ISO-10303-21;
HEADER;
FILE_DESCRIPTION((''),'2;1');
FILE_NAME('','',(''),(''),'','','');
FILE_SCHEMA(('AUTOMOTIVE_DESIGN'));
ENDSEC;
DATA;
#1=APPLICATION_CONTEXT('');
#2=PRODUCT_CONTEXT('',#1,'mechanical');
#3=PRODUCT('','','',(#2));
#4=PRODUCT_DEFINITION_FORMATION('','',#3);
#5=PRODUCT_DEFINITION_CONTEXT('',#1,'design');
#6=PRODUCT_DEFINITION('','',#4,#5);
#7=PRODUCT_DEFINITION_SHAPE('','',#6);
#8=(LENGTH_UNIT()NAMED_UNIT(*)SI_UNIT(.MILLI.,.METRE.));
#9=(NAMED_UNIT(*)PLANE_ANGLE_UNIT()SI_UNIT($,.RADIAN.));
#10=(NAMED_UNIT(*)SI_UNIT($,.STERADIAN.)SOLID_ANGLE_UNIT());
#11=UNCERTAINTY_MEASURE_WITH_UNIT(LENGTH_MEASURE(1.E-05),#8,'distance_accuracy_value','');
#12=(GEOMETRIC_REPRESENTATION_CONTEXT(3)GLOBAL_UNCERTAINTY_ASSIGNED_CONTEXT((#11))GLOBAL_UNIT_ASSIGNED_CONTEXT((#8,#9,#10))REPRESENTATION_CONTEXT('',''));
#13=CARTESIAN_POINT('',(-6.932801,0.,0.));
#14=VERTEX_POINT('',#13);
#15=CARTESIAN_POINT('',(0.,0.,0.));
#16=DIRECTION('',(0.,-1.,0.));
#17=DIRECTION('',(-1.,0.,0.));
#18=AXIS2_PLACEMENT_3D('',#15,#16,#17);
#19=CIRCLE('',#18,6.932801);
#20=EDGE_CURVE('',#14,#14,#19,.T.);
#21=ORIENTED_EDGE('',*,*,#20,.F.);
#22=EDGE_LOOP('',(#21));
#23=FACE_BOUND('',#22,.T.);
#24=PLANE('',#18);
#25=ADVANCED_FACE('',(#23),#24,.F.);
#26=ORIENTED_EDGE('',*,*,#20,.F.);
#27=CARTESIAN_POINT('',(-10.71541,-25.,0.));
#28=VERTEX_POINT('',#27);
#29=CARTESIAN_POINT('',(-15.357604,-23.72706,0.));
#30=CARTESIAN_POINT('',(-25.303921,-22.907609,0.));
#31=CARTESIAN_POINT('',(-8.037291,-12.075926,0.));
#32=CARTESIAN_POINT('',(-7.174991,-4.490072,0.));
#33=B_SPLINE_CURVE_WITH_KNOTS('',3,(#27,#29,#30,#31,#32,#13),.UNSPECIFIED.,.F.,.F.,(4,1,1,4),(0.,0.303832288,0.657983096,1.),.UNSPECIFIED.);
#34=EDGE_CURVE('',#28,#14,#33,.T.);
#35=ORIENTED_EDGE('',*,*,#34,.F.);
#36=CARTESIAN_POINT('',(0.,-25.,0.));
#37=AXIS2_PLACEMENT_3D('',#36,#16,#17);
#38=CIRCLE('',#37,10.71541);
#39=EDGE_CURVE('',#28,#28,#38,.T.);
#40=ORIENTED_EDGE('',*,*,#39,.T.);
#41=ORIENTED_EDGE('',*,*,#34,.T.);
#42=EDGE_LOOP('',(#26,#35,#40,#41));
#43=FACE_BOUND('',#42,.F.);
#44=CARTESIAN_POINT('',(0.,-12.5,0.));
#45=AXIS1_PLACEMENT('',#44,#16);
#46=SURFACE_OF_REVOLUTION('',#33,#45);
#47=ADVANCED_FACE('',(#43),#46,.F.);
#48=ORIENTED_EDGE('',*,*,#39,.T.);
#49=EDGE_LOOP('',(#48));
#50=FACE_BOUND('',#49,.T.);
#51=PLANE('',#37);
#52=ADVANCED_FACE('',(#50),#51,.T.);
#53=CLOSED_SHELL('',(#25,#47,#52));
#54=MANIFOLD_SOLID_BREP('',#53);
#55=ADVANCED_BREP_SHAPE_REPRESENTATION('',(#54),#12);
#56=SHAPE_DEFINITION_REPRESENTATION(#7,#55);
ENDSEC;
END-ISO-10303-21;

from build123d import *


with BuildPart() as f1:
    # F0 (on Top) → F1 (revolve)
    with BuildSketch(Plane.XY):
        with BuildLine():
            Line((0, -25), (0, 0))
            Line((0, 0), (-6.9328010775, 0))
            add(Edge.make_bspline(
                [(-10.7154102824, -25), (-15.3576035895, -23.7270603124), (-25.3039210628, -22.9076094626), (-8.0372907404, -12.0759258786), (-7.1749909719, -4.4900723026), (-6.9328010775, 0)],
                knots=[0, 0, 0, 0, 0.3038322882, 0.6579830965, 1, 1, 1, 1], degree=3))
            Line((-10.7154102824, -25), (0, -25))
        make_face()
    revolve(axis=Axis((0, -12.5, 0), (0, -1, 0)))


solid = f1.part
